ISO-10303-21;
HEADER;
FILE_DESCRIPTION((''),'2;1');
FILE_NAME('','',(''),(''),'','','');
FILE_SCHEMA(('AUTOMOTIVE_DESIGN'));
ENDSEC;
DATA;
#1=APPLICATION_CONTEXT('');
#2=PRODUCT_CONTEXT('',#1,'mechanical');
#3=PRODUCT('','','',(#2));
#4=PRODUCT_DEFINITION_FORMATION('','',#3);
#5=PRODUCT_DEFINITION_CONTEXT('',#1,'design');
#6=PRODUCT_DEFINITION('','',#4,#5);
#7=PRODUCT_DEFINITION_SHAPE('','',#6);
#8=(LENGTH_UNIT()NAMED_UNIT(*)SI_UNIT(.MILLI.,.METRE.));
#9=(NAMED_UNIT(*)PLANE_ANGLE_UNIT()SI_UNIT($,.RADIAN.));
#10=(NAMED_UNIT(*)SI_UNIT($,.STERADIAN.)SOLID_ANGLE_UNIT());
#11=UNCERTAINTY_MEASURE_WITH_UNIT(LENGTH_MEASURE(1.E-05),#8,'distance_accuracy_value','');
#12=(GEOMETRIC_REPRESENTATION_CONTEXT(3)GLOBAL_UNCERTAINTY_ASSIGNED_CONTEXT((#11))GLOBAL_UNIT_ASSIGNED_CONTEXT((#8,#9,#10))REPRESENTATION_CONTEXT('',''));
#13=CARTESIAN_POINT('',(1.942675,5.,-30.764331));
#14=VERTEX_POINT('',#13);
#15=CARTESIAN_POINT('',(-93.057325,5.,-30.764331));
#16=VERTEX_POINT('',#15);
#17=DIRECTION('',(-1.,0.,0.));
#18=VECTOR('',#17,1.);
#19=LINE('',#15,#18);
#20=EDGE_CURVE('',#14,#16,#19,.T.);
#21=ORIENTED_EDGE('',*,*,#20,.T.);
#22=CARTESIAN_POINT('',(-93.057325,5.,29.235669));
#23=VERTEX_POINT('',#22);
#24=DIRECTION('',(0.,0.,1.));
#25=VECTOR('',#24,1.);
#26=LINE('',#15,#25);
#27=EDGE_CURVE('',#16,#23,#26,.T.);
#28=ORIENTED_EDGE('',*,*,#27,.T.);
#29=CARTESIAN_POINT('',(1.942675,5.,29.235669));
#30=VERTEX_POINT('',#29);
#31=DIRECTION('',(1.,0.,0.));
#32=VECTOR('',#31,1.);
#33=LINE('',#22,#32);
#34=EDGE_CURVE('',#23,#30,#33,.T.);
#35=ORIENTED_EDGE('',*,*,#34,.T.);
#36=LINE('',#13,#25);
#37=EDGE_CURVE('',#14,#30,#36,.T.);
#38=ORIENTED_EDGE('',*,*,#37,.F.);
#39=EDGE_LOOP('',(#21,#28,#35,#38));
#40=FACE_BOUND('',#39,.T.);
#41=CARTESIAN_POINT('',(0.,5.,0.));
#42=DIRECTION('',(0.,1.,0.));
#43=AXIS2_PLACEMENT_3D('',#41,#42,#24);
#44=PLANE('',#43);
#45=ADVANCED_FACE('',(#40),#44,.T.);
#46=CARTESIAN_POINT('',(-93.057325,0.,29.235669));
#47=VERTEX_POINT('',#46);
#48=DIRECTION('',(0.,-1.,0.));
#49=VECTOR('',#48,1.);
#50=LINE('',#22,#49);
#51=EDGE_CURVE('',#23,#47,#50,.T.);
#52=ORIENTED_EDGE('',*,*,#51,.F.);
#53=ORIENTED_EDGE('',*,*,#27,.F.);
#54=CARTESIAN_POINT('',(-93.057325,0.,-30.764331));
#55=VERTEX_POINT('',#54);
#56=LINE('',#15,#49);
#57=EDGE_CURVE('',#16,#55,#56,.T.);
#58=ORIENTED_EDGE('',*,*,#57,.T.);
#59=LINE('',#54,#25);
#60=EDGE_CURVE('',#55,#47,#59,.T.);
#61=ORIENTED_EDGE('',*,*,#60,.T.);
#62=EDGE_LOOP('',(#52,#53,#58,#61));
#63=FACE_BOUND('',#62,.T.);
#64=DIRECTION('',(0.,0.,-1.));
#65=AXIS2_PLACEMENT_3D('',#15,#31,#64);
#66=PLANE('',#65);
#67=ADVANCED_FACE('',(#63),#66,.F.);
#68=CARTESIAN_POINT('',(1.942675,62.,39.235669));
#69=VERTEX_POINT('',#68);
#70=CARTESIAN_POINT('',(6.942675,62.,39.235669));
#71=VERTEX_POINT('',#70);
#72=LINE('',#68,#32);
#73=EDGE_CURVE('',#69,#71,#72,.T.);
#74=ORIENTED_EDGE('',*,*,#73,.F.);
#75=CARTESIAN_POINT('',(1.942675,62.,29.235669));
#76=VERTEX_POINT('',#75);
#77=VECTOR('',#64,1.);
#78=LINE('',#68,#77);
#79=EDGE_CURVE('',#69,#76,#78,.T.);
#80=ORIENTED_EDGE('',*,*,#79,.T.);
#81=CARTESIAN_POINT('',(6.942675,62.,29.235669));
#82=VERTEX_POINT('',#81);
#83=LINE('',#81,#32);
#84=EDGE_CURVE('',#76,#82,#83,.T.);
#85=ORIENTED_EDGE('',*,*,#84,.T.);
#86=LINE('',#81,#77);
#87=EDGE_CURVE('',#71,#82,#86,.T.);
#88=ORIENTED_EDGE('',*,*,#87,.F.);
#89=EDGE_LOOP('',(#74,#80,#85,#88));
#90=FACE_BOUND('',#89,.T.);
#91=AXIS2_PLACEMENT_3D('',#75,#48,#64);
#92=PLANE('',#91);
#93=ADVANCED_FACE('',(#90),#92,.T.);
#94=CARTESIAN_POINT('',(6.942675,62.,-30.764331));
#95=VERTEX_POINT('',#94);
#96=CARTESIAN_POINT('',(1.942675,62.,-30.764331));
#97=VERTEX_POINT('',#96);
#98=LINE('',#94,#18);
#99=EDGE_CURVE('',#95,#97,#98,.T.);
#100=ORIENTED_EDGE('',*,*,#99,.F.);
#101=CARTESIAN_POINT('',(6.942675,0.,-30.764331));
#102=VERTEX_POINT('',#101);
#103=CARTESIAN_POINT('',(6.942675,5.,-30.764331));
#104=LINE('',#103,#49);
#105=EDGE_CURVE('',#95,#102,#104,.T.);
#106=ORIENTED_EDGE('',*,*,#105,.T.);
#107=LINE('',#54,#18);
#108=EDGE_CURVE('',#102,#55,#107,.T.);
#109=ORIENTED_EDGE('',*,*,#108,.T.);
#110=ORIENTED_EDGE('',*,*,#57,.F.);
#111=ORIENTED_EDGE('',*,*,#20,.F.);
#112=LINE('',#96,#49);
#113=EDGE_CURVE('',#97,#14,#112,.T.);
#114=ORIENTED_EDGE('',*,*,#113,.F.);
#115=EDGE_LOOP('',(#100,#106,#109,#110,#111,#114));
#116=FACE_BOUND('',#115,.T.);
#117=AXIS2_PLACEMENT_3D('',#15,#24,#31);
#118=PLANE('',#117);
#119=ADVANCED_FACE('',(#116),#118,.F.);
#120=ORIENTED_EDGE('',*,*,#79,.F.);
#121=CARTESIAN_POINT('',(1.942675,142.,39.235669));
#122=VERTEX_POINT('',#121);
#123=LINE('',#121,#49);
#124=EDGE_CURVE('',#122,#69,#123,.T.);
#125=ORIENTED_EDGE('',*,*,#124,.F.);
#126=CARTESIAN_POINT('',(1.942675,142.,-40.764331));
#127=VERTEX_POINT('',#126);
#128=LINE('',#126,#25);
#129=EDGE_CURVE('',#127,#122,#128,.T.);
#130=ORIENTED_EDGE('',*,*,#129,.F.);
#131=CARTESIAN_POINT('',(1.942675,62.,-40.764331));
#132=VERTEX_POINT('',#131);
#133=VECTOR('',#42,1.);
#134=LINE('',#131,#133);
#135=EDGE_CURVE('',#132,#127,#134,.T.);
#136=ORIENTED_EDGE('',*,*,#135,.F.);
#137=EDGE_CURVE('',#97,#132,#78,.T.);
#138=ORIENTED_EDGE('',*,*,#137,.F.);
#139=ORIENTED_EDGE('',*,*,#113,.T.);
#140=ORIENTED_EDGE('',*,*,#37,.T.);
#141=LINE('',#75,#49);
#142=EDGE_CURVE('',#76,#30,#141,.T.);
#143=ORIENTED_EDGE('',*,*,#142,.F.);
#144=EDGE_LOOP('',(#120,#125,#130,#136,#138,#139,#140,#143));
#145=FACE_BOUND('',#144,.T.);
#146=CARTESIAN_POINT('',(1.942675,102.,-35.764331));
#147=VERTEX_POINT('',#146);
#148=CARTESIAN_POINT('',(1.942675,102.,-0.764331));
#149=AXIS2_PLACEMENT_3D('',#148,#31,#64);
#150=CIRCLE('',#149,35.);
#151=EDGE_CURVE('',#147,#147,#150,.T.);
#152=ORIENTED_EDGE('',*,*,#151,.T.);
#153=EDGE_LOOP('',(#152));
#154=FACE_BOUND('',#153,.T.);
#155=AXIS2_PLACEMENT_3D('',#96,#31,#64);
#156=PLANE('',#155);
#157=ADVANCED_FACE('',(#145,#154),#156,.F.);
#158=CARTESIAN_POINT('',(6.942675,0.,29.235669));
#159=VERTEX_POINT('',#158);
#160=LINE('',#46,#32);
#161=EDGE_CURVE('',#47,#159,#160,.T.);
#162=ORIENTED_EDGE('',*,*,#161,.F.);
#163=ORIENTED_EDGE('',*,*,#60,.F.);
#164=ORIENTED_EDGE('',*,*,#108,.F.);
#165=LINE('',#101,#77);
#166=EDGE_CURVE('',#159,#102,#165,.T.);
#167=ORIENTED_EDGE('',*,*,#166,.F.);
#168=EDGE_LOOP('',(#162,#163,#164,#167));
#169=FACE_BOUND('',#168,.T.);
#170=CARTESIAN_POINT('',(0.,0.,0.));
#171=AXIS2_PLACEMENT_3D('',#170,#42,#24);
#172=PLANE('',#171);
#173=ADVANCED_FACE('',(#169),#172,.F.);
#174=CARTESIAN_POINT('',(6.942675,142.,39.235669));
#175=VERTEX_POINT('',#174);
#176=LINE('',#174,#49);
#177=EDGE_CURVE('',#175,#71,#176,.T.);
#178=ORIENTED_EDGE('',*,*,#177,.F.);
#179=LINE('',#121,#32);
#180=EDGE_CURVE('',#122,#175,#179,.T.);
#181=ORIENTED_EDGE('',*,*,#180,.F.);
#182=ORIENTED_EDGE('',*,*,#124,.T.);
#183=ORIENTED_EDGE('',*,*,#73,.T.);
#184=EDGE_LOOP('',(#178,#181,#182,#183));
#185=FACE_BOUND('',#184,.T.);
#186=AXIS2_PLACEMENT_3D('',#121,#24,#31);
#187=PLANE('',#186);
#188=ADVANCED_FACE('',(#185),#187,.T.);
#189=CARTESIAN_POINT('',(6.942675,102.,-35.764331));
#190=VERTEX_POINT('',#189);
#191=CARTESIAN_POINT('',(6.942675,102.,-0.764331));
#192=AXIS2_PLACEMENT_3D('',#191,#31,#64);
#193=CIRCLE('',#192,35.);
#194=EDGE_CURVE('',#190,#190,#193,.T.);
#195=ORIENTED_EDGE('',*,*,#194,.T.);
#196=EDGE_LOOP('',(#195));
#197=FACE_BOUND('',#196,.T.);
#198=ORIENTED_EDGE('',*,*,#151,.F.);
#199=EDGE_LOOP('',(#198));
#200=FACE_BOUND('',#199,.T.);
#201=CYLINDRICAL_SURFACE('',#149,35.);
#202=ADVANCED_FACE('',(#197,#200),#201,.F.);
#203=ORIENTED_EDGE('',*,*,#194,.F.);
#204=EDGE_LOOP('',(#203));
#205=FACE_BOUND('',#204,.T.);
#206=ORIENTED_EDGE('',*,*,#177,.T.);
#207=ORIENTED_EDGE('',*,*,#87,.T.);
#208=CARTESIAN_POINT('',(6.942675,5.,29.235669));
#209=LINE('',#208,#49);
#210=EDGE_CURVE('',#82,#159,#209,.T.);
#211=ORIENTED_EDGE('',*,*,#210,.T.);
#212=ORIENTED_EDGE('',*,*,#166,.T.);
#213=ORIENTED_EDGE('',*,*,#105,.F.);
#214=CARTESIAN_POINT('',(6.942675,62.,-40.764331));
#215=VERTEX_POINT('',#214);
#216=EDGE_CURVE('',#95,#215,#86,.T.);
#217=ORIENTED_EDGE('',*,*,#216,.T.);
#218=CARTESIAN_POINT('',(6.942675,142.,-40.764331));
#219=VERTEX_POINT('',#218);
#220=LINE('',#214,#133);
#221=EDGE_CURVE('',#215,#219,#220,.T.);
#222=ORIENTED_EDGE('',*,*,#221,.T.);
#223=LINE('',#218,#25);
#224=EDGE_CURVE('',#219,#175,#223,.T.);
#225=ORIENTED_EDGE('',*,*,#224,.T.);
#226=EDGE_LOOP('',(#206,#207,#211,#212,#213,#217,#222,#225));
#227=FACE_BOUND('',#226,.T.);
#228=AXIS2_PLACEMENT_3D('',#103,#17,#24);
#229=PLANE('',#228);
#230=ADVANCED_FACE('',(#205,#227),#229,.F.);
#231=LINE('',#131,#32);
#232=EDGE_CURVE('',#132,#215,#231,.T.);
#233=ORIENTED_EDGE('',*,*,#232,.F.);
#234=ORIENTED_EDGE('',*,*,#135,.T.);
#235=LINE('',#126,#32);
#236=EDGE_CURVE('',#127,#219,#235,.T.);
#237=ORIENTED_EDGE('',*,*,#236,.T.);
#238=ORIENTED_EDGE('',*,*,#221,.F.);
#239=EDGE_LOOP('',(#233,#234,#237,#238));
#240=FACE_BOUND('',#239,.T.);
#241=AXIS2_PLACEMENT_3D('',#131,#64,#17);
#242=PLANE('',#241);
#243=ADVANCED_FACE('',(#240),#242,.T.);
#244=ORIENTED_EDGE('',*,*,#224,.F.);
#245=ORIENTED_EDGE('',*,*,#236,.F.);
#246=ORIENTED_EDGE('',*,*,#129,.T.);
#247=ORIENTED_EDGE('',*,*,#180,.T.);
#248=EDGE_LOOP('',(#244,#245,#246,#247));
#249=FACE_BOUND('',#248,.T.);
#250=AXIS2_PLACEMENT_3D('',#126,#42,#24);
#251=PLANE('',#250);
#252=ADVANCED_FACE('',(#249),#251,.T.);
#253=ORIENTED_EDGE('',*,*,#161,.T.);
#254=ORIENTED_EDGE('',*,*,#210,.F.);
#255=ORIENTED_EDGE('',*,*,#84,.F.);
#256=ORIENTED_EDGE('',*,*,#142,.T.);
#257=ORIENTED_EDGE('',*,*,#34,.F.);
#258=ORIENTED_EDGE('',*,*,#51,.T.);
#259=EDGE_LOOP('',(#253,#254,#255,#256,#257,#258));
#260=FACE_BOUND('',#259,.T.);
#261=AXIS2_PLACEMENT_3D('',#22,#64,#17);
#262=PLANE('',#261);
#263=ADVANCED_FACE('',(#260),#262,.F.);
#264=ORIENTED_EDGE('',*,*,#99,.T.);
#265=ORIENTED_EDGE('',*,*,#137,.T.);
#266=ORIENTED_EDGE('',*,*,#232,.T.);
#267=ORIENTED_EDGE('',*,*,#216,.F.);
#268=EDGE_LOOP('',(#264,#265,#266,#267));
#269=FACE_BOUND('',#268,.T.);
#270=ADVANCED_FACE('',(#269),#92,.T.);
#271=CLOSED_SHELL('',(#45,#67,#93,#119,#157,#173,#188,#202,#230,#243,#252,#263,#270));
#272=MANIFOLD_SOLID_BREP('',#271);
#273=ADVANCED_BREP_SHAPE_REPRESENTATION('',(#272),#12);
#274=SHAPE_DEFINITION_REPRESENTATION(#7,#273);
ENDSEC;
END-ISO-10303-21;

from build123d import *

# Parameters (mm, degrees)
SKETCH1_W           = 100
SKETCH1_H           = 60
BOSS_EXTRUDE1_DEPTH = 5
SKETCH2_W           = 5
SKETCH2_H           = 60
BOSS_EXTRUDE2_DEPTH = 57
BOSS_EXTRUDE3_DEPTH = 5
SKETCH5_R           = 35
CUT_EXTRUDE1_DEPTH  = 5


with BuildPart() as part:
    # Sketch1 → Boss-Extrude1 (new body)
    with BuildSketch(Plane(origin=(0, 0, 0), x_dir=(1, 0, 0), z_dir=(0, 1, 0))):
        with Locations((-43.057324841, 0.76433121)):
            Rectangle(SKETCH1_W, SKETCH1_H)
    extrude(amount=BOSS_EXTRUDE1_DEPTH)

    # Sketch2 → Boss-Extrude2 (add)
    with BuildSketch(Plane(origin=(0, 5, 0), x_dir=(1, 0, 0), z_dir=(0, 1, 0))):
        with Locations((4.442675159, 0.76433121)):
            Rectangle(SKETCH2_W, SKETCH2_H)
    extrude(amount=BOSS_EXTRUDE2_DEPTH)

    # Sketch4 → Boss-Extrude3 (add)
    with BuildSketch(Plane(origin=(6.942675159, 0, 0), x_dir=(0, 0, -1), z_dir=(1, 0, 0))):
        Polygon((-29.23566879, 62), (40.76433121, 62), (40.76433121, 142), (-39.23566879, 142), (-39.23566879, 62), align=None)
    extrude(amount=-BOSS_EXTRUDE3_DEPTH)

    # Sketch5 → Cut-Extrude1 (cut)
    with BuildSketch(Plane(origin=(6.942675159, 0, 0), x_dir=(0, 0, -1), z_dir=(1, 0, 0))):
        with Locations((0.76433121, 102)):
            Circle(SKETCH5_R)
    extrude(amount=-CUT_EXTRUDE1_DEPTH, mode=Mode.SUBTRACT)


solid = part.part
